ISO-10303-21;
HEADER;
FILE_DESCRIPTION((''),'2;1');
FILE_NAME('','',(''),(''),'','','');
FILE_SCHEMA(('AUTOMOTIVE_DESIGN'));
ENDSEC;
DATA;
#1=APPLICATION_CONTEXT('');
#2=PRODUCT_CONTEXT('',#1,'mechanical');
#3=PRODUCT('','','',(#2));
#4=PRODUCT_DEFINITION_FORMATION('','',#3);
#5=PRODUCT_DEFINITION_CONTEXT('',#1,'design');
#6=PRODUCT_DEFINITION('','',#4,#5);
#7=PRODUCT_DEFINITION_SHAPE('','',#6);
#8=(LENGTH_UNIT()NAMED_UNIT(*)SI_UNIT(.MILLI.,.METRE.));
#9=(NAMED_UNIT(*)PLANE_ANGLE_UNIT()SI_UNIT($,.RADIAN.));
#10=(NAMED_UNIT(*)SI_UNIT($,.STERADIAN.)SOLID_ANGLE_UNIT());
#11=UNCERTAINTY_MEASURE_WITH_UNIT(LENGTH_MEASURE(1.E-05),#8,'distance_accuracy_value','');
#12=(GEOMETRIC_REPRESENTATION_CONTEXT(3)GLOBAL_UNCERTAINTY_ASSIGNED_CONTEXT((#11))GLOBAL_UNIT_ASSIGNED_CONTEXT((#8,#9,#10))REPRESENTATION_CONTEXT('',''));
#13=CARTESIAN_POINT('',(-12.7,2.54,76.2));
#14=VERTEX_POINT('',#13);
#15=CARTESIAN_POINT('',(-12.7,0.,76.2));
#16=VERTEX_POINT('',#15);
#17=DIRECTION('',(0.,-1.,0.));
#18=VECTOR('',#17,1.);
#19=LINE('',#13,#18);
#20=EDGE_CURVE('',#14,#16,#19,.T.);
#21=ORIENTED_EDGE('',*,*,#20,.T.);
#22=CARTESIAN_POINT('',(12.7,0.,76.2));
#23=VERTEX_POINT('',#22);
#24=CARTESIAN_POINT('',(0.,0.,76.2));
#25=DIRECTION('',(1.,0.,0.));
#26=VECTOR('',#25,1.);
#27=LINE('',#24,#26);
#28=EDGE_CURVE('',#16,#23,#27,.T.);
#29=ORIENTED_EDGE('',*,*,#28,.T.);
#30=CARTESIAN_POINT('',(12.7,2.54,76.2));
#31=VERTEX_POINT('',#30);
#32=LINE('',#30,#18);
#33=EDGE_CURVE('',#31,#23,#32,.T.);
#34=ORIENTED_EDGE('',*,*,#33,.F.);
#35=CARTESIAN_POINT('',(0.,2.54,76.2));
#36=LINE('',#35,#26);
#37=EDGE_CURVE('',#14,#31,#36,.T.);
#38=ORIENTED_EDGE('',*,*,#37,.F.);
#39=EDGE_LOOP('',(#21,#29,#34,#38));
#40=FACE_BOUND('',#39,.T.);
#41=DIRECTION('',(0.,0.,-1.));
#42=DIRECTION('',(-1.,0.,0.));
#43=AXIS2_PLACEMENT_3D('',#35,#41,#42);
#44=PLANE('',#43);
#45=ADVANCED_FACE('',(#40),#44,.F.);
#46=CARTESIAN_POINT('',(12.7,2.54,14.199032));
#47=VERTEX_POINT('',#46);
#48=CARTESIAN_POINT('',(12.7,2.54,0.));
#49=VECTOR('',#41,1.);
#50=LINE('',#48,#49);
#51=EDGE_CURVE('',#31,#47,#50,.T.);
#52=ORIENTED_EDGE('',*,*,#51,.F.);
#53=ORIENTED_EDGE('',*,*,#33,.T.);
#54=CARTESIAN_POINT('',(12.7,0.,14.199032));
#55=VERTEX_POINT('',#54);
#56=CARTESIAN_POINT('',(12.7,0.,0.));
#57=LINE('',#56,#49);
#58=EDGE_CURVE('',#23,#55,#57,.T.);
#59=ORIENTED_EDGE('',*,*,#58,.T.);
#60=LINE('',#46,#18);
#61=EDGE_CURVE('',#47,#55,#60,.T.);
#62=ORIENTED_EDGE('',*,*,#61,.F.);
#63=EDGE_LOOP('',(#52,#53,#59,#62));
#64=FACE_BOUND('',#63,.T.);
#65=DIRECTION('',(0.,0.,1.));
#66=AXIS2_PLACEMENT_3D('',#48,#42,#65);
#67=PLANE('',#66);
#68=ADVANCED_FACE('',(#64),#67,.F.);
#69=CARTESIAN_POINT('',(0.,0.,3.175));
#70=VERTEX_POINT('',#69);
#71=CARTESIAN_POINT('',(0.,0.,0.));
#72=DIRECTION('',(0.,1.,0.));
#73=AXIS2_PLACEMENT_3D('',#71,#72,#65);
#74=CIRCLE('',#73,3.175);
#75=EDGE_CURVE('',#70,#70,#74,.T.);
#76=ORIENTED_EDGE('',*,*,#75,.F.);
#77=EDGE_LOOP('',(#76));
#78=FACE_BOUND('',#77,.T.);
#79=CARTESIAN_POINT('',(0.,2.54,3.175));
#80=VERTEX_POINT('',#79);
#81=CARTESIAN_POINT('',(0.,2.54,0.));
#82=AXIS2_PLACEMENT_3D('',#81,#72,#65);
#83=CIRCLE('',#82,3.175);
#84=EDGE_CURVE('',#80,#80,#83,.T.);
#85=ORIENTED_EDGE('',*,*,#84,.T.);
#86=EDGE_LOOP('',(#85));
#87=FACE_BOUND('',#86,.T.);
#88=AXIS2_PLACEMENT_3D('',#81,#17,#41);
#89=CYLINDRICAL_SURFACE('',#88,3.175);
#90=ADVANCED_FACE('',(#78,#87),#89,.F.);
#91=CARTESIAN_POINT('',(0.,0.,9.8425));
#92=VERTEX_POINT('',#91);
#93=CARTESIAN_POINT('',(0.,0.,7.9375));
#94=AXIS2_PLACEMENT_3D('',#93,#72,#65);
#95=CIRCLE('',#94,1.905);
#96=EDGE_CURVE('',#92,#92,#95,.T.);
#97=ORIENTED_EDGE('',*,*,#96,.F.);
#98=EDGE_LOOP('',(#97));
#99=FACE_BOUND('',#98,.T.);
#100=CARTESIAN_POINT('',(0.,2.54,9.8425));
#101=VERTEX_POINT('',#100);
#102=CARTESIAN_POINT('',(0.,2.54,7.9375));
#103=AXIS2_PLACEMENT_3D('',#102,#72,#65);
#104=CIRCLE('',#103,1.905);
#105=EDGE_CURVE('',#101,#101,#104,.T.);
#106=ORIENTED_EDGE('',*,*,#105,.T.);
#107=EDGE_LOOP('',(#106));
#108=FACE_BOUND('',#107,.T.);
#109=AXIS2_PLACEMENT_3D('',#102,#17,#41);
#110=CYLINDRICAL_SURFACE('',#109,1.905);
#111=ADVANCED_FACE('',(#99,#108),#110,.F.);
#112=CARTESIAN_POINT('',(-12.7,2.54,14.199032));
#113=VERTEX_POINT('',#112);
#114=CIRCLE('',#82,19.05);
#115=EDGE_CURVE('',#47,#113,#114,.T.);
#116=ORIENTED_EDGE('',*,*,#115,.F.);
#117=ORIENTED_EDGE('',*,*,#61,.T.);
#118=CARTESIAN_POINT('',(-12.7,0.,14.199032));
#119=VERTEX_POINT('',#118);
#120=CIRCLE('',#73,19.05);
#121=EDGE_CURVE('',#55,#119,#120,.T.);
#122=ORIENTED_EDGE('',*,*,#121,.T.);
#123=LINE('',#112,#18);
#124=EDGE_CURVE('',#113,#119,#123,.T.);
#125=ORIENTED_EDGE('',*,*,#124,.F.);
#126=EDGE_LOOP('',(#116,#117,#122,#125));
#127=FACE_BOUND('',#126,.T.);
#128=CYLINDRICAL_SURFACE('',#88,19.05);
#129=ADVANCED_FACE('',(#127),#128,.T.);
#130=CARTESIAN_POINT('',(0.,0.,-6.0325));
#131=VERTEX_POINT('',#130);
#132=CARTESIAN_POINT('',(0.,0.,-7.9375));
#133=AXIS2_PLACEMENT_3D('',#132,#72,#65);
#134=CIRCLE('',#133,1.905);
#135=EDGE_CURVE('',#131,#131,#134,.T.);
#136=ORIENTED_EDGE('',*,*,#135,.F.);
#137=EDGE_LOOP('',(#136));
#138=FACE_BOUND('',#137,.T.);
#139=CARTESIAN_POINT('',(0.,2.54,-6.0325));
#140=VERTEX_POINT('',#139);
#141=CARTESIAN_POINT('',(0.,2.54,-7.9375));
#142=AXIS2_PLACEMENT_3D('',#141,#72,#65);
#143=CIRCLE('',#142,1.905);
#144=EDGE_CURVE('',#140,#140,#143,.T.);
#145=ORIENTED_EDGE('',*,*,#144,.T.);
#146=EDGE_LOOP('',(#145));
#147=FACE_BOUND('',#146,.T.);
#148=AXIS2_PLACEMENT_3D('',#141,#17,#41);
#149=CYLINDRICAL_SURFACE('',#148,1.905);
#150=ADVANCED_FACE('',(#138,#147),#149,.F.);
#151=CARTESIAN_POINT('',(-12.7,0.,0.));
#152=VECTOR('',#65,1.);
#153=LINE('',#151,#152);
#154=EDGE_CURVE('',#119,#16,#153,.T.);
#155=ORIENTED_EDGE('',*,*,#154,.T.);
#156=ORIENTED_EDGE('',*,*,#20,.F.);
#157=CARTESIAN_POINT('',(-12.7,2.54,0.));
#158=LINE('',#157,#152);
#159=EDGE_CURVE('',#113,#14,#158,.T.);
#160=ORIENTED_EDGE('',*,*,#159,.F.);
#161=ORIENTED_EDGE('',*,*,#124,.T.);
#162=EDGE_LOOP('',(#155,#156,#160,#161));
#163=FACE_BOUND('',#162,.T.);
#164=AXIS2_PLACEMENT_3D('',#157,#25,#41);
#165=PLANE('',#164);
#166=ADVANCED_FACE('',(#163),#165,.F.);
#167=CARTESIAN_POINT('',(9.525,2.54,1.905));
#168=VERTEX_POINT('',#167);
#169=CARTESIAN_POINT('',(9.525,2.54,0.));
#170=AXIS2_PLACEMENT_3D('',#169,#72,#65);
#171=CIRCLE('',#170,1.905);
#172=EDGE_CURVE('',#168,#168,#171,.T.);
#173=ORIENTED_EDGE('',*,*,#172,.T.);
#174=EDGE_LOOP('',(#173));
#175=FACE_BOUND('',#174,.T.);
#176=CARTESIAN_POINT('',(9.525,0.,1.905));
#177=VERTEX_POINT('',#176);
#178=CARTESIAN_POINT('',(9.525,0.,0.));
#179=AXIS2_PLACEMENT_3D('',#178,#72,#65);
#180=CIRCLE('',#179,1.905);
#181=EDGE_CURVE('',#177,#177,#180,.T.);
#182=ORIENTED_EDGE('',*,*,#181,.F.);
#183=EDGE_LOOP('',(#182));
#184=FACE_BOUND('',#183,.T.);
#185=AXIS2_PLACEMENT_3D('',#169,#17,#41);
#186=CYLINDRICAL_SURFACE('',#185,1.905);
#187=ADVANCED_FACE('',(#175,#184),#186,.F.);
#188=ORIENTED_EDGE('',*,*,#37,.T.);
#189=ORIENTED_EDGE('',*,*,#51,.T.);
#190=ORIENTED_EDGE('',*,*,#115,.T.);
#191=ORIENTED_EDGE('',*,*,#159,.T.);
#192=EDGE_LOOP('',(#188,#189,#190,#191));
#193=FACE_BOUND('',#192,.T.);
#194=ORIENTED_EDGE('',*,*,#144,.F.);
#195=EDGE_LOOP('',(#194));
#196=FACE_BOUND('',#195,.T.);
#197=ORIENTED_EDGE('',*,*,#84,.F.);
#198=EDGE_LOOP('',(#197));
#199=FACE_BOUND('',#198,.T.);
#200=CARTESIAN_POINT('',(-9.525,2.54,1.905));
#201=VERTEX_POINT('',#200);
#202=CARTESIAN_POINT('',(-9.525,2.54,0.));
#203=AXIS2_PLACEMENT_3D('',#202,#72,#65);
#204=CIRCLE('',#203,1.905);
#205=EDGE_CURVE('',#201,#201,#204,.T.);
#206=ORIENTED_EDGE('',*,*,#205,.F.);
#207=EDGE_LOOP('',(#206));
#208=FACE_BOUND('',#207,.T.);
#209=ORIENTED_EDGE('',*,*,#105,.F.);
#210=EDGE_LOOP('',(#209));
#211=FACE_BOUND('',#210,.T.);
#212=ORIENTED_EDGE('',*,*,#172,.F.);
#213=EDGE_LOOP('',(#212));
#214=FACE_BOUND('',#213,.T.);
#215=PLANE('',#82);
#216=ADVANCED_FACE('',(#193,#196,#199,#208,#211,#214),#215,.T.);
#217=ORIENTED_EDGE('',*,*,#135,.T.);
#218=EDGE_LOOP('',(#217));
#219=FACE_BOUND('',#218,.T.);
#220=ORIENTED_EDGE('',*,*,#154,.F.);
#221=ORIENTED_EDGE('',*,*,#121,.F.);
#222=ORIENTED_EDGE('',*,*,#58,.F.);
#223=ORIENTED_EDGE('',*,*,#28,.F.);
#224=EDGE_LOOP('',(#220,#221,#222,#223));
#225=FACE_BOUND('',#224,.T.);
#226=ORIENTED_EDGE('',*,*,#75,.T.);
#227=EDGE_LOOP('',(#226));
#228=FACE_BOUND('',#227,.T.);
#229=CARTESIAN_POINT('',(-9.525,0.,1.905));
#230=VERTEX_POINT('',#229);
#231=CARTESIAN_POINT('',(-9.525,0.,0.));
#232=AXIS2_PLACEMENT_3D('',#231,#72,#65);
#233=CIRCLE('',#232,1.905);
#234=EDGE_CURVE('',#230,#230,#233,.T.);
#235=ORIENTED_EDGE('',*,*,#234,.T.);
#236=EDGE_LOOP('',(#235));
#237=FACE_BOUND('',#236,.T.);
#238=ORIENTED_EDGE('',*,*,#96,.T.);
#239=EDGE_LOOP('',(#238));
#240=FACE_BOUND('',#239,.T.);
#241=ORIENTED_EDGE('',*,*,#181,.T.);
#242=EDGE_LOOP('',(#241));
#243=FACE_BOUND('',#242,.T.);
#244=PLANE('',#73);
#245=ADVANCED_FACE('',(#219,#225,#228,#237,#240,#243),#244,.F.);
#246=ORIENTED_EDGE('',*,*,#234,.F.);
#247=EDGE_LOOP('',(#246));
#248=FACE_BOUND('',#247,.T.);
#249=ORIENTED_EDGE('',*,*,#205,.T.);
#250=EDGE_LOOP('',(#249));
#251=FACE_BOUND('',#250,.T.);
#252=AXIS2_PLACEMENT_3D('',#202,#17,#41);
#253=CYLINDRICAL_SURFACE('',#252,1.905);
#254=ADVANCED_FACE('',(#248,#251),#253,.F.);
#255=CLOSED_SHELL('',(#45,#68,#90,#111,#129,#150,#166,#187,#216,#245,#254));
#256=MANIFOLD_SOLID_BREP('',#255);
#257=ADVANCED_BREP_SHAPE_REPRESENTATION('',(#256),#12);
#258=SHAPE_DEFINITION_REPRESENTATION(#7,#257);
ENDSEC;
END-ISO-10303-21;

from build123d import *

# Parameters (mm, degrees)
SKETCH1_R           = 1.905
SKETCH1_R_2         = 3.175
BOSS_EXTRUDE1_DEPTH = 2.54


with BuildPart() as part:
    # Sketch1 → Boss-Extrude1 (new body)
    with BuildSketch(Plane(origin=(0, 0, 0), x_dir=(1, 0, 0), z_dir=(0, 1, 0))):
        with BuildLine():
            Line((12.7, -76.2), (12.7, -14.199031657))
            ThreePointArc((12.7, -14.199031657), (0, 19.05), (-12.7, -14.199031657))
            Line((-12.7, -14.199031657), (-12.7, -76.2))
            Line((-12.7, -76.2), (12.7, -76.2))
        make_face()
        with Locations((9.525, 0)):
            Circle(SKETCH1_R, mode=Mode.SUBTRACT)
        with Locations((-9.525, 0)):
            Circle(SKETCH1_R, mode=Mode.SUBTRACT)
        with Locations((0, 7.9375)):
            Circle(SKETCH1_R, mode=Mode.SUBTRACT)
        with Locations((0, -7.9375)):
            Circle(SKETCH1_R, mode=Mode.SUBTRACT)
        Circle(SKETCH1_R_2, mode=Mode.SUBTRACT)
    extrude(amount=BOSS_EXTRUDE1_DEPTH)


solid = part.part
